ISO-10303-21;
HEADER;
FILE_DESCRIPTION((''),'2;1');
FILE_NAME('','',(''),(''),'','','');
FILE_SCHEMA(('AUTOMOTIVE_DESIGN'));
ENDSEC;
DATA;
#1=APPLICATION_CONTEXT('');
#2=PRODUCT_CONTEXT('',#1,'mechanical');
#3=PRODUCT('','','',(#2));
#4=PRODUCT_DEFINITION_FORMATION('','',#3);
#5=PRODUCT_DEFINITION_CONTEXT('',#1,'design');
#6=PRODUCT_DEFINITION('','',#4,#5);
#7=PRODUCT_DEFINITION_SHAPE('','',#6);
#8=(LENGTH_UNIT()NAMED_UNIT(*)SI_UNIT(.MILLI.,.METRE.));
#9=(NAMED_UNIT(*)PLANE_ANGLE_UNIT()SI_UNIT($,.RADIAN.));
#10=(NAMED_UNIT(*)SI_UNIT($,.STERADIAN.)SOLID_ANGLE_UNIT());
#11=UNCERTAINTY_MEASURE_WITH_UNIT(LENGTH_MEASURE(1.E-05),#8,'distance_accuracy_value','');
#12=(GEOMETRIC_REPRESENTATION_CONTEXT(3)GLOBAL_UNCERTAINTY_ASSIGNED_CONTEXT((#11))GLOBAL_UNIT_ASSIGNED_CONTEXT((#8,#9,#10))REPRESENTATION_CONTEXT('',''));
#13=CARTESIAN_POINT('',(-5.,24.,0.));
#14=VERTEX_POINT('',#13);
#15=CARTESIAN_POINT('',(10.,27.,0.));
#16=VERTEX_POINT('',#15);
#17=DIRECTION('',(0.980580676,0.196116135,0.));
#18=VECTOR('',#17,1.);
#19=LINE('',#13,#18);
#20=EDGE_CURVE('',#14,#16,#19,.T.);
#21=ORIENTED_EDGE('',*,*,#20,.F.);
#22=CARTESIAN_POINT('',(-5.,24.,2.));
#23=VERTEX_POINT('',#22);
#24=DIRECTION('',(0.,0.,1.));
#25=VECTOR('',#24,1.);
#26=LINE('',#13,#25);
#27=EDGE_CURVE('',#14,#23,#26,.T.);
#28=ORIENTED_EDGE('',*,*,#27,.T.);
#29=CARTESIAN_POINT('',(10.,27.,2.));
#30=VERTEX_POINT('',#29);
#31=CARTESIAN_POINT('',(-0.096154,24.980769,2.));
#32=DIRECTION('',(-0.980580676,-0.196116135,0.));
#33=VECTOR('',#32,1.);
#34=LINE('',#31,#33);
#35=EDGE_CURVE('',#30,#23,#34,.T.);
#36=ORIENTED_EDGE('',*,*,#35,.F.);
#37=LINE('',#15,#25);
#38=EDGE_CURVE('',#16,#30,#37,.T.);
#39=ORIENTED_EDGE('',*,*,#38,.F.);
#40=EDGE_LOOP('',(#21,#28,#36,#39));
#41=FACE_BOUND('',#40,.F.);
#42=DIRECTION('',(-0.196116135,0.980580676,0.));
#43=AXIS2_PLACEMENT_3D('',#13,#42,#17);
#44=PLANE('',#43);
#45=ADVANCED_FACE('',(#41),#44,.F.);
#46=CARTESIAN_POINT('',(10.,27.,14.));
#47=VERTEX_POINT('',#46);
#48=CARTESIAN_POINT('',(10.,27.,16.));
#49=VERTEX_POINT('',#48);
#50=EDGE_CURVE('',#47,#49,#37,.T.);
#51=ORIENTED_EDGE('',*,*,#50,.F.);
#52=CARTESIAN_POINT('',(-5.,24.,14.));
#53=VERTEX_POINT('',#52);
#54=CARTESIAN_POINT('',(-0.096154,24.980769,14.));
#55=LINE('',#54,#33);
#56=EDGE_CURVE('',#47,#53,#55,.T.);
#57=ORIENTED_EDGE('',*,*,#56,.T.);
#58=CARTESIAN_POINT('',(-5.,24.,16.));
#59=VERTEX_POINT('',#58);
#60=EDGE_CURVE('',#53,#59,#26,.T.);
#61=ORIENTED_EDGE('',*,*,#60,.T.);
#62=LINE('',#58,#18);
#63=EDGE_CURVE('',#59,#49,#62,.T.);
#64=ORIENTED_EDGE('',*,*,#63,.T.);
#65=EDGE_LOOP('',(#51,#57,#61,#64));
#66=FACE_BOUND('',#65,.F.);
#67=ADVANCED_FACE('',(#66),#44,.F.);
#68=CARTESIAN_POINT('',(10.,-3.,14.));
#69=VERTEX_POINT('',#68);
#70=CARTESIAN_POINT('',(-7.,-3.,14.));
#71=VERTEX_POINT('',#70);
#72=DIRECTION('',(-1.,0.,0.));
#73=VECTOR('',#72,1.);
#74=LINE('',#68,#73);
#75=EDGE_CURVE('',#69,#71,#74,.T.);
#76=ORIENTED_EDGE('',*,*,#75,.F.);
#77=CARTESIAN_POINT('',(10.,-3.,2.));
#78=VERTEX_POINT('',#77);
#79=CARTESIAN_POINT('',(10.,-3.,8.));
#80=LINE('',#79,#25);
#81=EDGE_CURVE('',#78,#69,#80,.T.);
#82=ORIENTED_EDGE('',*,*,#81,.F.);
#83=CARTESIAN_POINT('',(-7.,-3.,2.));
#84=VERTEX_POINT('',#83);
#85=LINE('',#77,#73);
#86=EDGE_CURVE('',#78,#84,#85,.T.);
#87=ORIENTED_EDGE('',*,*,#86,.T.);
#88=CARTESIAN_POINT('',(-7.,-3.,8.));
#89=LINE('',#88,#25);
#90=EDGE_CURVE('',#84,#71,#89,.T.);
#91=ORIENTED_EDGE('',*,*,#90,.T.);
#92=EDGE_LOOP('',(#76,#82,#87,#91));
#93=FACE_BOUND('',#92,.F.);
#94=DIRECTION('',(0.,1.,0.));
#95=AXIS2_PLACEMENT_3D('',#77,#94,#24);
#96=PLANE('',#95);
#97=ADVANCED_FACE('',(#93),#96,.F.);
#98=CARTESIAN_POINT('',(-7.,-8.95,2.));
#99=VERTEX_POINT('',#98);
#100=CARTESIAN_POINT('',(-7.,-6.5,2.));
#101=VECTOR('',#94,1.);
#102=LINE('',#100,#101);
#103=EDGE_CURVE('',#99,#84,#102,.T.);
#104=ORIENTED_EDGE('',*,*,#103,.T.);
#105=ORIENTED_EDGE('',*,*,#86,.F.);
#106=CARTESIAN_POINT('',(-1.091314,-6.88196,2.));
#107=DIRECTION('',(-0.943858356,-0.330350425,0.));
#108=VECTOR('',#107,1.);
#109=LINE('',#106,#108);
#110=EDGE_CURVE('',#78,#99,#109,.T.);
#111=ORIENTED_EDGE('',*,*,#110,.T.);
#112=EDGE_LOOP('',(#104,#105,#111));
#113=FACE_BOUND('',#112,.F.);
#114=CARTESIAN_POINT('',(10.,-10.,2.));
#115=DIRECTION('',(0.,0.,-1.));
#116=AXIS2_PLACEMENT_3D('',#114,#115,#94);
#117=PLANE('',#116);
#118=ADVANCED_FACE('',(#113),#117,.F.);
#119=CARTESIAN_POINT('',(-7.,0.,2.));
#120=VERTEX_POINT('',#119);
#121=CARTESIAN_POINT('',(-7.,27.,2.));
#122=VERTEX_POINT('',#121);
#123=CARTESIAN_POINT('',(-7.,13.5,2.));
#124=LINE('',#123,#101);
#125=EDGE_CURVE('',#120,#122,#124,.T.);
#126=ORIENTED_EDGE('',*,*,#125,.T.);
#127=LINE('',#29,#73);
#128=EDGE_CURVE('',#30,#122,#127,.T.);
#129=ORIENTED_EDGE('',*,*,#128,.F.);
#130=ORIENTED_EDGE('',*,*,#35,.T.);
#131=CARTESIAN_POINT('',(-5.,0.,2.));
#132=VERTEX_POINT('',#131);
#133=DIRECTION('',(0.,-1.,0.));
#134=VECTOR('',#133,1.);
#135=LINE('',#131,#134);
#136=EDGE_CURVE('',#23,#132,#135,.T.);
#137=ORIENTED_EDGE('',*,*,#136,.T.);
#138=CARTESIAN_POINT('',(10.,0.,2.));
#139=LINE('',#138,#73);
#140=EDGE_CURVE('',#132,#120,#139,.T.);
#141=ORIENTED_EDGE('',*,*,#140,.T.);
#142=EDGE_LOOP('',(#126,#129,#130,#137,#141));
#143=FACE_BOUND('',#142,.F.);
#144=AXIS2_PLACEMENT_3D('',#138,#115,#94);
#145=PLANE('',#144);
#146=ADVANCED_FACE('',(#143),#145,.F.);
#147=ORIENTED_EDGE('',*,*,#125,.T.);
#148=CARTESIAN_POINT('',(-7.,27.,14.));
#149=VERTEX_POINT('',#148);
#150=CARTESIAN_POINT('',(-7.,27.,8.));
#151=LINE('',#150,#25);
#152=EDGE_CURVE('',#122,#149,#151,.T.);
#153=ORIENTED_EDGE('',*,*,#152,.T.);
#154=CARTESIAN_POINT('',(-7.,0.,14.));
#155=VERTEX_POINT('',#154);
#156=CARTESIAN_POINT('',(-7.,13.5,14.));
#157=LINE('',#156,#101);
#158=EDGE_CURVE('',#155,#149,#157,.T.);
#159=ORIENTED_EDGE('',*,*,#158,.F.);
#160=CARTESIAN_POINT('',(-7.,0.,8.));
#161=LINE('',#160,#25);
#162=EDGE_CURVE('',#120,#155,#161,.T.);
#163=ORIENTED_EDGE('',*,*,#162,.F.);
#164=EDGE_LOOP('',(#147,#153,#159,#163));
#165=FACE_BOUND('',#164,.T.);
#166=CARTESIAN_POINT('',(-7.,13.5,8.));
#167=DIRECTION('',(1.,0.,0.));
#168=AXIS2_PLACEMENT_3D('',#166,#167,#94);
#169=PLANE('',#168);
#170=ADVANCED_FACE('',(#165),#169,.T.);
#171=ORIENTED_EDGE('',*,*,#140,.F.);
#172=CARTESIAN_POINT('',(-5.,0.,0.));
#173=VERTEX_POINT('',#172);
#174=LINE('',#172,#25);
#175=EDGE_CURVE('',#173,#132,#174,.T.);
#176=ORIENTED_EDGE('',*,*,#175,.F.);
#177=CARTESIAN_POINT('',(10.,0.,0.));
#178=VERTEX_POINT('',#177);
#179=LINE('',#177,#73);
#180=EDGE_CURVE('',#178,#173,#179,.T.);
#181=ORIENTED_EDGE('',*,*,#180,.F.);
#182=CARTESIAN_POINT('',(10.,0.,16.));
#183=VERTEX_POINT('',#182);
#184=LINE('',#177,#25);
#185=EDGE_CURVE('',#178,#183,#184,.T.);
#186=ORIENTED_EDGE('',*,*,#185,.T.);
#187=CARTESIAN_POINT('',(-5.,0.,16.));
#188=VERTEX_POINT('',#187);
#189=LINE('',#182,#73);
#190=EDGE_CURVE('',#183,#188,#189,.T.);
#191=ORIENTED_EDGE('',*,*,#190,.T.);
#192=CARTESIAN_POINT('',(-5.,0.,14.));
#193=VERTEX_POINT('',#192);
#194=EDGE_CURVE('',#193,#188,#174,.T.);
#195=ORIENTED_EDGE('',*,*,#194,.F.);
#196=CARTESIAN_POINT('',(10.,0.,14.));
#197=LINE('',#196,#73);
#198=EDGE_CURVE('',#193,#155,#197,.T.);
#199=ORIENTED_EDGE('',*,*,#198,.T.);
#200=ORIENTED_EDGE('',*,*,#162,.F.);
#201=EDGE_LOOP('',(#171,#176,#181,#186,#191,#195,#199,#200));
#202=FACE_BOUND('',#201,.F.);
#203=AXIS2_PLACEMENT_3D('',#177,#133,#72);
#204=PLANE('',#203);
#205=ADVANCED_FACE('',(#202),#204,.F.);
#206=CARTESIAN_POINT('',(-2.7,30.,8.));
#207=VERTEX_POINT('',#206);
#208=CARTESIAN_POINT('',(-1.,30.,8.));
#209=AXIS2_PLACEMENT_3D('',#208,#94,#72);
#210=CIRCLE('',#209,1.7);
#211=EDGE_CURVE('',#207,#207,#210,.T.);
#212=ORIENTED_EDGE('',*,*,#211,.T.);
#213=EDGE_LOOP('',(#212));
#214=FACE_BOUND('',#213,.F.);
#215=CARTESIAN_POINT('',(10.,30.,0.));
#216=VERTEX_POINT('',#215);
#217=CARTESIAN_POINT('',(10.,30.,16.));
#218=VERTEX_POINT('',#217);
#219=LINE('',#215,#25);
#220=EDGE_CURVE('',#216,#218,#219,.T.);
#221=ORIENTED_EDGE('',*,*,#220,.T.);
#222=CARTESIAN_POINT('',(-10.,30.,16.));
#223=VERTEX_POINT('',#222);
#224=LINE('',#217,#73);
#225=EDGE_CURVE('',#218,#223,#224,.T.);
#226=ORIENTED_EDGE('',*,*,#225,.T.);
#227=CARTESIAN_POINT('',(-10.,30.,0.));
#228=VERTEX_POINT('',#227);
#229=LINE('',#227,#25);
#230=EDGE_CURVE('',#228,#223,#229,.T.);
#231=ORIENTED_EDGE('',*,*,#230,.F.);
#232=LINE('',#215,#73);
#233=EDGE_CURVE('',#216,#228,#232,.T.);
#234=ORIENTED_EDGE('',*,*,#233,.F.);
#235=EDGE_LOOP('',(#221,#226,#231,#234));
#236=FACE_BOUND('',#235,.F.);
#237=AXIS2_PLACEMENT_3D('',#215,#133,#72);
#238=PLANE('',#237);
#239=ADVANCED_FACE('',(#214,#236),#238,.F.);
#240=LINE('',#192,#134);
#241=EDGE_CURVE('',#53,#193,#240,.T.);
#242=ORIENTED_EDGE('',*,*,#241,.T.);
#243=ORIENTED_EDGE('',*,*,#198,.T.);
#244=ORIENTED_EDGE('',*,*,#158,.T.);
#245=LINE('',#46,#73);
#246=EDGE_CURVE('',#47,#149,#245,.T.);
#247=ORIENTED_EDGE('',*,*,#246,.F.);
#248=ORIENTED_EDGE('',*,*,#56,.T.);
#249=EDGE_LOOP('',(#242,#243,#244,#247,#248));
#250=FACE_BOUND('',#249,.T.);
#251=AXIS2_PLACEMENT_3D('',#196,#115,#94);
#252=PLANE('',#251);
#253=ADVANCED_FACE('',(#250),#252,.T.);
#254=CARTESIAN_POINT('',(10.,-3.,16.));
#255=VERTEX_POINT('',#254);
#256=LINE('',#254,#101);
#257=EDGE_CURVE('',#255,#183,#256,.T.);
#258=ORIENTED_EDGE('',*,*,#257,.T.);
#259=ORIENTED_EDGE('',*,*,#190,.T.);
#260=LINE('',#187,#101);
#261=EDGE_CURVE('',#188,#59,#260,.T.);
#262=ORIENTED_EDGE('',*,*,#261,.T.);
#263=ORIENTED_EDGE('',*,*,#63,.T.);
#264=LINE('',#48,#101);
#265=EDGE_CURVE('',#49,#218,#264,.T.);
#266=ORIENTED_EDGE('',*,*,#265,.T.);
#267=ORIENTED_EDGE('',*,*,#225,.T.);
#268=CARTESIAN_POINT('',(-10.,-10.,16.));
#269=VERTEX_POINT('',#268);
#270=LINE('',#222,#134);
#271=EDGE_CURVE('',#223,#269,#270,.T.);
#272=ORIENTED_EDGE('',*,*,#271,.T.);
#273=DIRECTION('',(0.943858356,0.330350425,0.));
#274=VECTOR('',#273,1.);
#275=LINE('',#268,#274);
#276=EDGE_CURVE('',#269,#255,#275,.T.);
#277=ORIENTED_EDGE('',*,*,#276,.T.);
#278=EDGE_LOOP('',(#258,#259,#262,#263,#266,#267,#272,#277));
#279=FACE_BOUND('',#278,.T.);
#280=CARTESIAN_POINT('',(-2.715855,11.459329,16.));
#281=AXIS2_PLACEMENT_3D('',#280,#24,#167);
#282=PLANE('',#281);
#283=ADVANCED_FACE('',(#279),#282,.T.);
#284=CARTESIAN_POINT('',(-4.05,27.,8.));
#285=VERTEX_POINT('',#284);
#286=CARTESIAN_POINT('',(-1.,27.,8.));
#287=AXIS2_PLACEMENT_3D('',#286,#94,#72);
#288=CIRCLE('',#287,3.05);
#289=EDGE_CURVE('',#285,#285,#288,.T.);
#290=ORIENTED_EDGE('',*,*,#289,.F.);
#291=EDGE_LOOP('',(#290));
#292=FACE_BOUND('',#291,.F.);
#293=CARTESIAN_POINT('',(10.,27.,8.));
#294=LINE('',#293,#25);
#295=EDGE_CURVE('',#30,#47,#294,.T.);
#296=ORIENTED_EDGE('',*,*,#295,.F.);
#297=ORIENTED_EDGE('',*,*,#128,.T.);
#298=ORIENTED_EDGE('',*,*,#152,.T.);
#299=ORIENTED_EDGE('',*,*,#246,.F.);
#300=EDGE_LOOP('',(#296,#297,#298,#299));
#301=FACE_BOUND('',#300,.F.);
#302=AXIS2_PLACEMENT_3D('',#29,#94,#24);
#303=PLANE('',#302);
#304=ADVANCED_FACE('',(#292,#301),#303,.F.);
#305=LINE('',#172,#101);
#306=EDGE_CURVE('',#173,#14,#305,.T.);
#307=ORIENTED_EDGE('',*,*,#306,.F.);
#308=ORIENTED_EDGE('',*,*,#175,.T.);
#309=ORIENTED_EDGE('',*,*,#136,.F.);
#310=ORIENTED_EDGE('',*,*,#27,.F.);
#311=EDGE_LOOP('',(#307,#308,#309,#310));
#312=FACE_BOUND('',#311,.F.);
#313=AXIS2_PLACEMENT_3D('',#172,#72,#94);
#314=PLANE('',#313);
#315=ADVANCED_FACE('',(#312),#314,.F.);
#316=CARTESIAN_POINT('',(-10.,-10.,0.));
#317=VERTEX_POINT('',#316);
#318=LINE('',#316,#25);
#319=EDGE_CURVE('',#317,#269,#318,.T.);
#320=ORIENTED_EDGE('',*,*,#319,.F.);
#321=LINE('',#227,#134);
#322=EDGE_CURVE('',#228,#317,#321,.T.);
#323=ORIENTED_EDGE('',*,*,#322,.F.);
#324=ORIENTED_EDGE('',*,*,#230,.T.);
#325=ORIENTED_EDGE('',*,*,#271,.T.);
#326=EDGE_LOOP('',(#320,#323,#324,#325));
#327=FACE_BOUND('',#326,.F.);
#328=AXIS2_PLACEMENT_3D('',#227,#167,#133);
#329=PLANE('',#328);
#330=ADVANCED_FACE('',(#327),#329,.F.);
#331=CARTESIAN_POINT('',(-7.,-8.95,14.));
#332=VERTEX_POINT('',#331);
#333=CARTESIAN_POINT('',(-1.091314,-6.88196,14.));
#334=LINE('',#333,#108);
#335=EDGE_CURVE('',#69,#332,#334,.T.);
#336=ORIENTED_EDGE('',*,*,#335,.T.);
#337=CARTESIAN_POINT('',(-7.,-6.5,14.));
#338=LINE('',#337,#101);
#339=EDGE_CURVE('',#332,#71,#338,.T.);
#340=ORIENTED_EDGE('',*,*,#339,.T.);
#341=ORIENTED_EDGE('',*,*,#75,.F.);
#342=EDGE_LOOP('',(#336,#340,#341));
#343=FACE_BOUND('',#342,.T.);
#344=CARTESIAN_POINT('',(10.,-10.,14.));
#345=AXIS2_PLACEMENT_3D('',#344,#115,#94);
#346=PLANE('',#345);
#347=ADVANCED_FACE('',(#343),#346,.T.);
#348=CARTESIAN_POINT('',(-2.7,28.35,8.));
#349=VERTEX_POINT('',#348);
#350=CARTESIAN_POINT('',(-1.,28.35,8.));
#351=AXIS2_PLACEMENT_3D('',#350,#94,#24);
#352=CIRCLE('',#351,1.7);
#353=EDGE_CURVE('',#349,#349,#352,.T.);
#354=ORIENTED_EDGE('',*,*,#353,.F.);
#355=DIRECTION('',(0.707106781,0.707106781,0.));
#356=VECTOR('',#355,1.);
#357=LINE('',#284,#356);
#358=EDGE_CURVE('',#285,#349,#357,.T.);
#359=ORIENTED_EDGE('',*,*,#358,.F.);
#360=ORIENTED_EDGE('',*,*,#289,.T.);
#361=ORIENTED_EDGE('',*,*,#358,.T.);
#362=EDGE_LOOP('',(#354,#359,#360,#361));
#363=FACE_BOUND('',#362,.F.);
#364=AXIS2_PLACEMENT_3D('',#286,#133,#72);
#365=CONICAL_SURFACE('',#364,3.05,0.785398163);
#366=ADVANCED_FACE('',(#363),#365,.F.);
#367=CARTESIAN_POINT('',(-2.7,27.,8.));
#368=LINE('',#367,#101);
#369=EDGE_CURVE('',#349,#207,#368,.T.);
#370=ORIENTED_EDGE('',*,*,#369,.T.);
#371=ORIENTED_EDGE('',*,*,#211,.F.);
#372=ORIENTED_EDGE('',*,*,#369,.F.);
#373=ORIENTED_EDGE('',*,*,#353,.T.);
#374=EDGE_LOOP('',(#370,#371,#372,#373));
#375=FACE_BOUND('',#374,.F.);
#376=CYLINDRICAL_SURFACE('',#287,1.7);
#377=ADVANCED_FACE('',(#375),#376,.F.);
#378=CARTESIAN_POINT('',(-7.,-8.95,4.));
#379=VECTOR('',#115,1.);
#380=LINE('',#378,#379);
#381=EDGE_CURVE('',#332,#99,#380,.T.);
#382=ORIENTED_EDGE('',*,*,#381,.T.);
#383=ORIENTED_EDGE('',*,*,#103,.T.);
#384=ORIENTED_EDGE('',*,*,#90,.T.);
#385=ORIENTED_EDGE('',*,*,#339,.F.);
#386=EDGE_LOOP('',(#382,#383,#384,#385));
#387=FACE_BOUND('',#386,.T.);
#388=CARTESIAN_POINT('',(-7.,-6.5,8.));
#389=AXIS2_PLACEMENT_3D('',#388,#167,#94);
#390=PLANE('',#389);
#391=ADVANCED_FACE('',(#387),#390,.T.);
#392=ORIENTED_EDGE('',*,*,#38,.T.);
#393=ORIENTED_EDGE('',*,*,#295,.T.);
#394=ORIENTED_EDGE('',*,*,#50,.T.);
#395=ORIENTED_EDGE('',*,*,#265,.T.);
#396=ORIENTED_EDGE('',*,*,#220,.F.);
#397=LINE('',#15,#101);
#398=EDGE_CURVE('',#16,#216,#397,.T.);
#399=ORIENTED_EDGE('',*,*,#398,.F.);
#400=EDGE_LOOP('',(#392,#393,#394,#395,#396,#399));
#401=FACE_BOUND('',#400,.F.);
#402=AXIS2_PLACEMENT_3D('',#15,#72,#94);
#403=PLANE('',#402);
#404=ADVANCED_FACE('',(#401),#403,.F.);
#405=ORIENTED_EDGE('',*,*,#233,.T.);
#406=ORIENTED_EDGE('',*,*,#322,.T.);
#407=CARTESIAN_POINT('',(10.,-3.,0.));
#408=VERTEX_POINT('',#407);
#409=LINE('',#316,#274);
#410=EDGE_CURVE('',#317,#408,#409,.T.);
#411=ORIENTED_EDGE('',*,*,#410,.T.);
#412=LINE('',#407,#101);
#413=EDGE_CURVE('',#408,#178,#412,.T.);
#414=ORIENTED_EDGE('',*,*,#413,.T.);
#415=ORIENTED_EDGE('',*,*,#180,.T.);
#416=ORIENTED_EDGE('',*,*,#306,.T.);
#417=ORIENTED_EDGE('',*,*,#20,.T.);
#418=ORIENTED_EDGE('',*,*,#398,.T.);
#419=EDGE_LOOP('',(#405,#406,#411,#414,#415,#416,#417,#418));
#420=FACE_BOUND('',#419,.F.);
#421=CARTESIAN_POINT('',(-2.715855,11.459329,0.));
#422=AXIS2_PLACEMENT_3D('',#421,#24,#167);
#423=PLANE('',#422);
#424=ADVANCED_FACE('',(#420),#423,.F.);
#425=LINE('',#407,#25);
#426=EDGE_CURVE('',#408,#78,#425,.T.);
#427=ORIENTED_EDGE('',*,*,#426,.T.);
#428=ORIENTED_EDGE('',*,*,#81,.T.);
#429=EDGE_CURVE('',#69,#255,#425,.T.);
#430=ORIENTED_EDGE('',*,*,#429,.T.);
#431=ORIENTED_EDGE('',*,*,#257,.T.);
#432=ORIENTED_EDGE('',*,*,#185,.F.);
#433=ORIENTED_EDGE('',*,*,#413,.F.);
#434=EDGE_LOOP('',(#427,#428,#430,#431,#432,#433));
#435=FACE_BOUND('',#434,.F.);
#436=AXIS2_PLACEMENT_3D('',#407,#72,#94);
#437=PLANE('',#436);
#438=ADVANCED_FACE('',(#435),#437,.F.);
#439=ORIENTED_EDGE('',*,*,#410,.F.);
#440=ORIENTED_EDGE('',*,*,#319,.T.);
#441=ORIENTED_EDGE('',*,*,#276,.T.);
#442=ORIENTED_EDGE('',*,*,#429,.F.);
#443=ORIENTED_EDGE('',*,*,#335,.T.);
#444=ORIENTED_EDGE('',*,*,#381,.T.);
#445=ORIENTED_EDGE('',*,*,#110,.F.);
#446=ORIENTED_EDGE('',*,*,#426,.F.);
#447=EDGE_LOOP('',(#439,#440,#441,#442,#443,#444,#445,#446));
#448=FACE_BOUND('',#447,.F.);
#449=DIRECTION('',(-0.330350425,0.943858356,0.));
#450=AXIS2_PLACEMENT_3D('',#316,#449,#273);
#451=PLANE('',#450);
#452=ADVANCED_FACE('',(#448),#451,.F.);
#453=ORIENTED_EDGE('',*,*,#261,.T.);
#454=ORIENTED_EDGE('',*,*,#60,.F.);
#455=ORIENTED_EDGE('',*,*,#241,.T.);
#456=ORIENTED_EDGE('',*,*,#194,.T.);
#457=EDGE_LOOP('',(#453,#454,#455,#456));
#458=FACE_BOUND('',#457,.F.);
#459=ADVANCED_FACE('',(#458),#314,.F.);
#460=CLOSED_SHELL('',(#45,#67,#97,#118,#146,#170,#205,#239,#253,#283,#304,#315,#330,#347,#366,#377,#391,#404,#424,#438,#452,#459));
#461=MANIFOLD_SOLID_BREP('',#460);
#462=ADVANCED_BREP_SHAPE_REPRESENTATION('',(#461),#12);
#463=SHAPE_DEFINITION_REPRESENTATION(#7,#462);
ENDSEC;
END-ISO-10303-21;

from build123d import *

# Parameters (mm, degrees)
PAD_DEPTH        = 16
SKETCH001_W      = 27
SKETCH001_H      = 12
SKETCH001_W_2    = 7
POCKET_DEPTH     = 17
HOLE_D           = 3.4
HOLE_DEPTH       = 25
HOLE_CSINK_D     = 6.1
HOLE_CSINK_ANGLE = 90


with BuildPart() as part:
    # Sketch → Pad (new body)
    with BuildSketch(Plane.XY):
        Polygon((-10, -10), (10, -3), (10, 0), (-5, 0), (-5, 24), (10, 27), (10, 30), (-10, 30), align=None)
    extrude(amount=PAD_DEPTH)

    # Sketch001 (on Face6 of Pad) → Pocket (cut)
    with BuildSketch(Plane.YZ.offset(10)):
        with Locations((13.5, 8)):
            Rectangle(SKETCH001_W, SKETCH001_H)
        with Locations((-6.5, 8)):
            Rectangle(SKETCH001_W_2, SKETCH001_H)
    extrude(amount=-POCKET_DEPTH, mode=Mode.SUBTRACT)

    # Hole
    with Locations(Plane.XZ.offset(-27)):
        with Locations((-1, 8)):
            CounterSinkHole(HOLE_D / 2, HOLE_CSINK_D / 2, depth=HOLE_DEPTH, counter_sink_angle=HOLE_CSINK_ANGLE)


solid = part.part
